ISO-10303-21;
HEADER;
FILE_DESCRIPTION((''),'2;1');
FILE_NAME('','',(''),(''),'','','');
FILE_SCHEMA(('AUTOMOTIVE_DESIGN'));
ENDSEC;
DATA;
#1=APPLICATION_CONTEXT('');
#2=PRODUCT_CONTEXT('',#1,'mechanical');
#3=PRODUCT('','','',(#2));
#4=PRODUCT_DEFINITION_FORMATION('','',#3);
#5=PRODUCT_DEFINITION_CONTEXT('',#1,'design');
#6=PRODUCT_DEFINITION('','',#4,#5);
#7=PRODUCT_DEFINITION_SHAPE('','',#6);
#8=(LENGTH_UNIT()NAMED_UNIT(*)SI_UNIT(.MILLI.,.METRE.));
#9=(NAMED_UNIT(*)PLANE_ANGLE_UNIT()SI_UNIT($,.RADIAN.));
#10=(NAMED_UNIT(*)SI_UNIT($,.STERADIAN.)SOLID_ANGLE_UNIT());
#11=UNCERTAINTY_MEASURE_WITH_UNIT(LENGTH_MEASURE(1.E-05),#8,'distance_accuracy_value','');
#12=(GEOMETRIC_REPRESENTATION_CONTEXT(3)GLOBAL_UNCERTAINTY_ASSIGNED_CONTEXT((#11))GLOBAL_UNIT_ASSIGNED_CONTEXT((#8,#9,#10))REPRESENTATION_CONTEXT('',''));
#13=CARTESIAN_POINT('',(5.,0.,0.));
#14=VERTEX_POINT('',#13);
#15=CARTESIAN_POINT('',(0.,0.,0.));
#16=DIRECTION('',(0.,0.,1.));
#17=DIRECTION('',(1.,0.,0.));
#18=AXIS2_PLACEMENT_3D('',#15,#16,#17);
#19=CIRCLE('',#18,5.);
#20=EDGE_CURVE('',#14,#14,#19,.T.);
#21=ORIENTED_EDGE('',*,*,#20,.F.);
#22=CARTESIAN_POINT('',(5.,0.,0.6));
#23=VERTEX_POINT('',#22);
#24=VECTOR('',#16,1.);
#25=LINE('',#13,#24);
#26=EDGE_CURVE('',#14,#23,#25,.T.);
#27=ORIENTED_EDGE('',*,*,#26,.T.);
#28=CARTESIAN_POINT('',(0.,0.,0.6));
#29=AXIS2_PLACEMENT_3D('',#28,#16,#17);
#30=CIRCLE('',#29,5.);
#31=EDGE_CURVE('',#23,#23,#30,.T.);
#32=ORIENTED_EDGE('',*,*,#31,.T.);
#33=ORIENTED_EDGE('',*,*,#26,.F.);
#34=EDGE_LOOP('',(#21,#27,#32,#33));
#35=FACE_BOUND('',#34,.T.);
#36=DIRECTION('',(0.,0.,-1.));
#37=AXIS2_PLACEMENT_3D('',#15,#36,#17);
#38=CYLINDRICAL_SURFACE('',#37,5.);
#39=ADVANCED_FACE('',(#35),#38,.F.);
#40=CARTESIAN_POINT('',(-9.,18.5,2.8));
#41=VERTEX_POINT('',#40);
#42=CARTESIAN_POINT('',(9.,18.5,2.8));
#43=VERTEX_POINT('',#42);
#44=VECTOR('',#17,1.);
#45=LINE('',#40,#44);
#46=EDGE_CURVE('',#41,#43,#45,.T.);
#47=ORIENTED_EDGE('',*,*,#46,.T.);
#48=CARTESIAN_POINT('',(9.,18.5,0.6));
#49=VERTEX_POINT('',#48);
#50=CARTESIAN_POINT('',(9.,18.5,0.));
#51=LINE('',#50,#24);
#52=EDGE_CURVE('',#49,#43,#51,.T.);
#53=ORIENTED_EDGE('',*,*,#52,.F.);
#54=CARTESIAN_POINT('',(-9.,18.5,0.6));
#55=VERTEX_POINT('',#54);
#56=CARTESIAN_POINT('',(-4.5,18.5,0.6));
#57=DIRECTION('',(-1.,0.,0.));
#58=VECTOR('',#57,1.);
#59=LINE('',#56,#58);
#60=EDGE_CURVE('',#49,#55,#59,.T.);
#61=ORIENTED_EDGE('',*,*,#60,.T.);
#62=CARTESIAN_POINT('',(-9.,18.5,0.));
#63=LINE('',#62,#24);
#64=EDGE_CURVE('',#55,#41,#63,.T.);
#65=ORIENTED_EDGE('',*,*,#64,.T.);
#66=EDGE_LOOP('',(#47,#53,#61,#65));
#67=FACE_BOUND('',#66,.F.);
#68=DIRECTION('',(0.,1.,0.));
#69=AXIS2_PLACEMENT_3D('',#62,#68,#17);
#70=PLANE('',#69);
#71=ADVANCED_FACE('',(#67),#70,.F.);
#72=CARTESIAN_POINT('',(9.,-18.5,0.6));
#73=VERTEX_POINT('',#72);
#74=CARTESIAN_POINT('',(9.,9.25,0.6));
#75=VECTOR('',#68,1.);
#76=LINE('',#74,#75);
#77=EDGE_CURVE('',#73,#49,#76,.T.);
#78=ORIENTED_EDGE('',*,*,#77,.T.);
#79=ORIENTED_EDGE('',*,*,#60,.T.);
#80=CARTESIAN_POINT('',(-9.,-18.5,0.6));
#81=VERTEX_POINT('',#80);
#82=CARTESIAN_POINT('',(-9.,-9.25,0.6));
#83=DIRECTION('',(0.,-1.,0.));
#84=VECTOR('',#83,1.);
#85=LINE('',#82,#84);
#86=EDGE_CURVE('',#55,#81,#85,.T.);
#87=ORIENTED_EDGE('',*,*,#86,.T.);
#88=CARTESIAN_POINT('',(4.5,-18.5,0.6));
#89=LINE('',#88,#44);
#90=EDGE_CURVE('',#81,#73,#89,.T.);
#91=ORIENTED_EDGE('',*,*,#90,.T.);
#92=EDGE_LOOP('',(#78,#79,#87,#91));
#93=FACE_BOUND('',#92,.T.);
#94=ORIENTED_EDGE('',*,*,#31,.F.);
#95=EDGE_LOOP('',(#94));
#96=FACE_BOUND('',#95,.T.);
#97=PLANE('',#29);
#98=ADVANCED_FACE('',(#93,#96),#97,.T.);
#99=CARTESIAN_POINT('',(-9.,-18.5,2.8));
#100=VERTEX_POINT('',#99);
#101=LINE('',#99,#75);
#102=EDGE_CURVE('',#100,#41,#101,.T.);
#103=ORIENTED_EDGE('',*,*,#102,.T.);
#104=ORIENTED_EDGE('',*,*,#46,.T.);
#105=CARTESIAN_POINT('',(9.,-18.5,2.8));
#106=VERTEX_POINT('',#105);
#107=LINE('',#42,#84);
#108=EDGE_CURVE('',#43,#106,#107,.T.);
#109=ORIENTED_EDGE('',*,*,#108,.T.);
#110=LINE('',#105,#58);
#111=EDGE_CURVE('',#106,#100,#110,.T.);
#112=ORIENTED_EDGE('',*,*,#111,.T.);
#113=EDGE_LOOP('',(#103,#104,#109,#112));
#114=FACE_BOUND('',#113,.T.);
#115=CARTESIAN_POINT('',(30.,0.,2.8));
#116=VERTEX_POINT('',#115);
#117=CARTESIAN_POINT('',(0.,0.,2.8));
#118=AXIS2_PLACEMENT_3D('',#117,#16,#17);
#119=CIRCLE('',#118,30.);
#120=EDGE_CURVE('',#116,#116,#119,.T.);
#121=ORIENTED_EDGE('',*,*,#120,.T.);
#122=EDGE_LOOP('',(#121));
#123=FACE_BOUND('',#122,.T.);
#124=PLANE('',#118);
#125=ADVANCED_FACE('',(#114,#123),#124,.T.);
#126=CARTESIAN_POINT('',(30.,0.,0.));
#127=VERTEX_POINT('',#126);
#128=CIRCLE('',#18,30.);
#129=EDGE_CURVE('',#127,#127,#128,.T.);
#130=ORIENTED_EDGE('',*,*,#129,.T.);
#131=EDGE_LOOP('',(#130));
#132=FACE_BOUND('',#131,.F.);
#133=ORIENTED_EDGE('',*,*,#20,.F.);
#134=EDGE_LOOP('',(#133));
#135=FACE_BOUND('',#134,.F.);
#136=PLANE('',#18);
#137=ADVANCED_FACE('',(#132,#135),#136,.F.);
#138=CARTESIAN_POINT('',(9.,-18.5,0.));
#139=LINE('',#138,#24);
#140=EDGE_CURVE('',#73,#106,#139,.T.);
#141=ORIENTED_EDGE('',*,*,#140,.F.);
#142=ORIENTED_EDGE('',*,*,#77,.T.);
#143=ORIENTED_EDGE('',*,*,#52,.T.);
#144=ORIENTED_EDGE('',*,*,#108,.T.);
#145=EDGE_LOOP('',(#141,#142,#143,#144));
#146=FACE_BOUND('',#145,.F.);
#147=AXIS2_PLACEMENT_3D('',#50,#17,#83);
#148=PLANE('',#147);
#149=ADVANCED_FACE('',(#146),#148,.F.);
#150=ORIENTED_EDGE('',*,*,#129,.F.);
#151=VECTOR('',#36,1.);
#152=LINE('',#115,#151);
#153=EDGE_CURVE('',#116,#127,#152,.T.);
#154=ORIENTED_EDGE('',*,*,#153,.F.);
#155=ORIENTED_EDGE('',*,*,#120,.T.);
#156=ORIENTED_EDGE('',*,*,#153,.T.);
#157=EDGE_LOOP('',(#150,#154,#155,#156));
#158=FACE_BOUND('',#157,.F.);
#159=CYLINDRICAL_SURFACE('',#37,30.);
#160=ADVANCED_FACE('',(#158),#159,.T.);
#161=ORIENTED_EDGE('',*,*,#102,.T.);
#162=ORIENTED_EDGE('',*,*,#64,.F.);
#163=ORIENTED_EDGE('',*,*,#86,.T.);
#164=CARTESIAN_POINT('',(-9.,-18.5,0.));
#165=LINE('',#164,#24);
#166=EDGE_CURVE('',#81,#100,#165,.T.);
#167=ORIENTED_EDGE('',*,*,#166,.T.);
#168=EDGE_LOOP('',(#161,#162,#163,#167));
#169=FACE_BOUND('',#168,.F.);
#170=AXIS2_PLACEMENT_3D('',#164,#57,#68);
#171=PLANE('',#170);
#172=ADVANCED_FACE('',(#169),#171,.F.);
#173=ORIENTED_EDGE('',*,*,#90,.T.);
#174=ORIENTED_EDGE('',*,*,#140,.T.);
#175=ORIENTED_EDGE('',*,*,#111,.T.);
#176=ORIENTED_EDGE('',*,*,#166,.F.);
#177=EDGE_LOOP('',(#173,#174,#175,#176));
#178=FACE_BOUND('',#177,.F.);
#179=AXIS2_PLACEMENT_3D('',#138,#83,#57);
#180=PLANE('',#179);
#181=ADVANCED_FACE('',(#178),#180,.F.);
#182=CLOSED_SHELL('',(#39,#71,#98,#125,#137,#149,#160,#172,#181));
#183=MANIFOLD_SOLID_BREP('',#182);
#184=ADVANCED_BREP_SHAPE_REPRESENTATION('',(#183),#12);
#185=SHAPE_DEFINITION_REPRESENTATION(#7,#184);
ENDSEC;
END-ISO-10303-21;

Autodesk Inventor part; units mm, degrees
ref_plane "YZ Plane" through (0, 0, 0) normal (1, 0, 0) x (0, 1, 0)
ref_plane "XZ Plane" through (0, 0, 0) normal (0, 1, 0) x (-1, 0, 0)
ref_plane "XY Plane" through (0, 0, 0) normal (0, 0, 1) x (1, 0, 0)
sketch "Sketch1" plane through (0, 0, 0) normal (0, 0, 1) x (1, 0, 0)
  circle A0 centre (0, 0) radius 30
  circle A1 centre (0, 0) radius 5
  line L0 (-9, 18.5) -> (9, 18.5)
  line L1 (9, 18.5) -> (9, -18.5)
  line L2 (9, -18.5) -> (-9, -18.5)
  line L3 (-9, -18.5) -> (-9, 18.5)
  line L4 (0, 0) -> (0, 37.3828) construction
  line L5 (0, 0) -> (-39.0127, 0) construction
  point P0 (0, 18.5)
  point P1 (-9, 0)
  dimension "d0" = 60
  dimension "d1" = 10
  dimension "d2" = 37
  dimension "d3" = 18
extrude "Extrusion1" add sketch "Sketch1" along normal blind 0.6 contours A0 | L0 L1 L2 L3
extrude "Extrusion2" add sketch "Sketch1" along normal blind 2.8 contours A0
properties part number "ServoHornBottom"
